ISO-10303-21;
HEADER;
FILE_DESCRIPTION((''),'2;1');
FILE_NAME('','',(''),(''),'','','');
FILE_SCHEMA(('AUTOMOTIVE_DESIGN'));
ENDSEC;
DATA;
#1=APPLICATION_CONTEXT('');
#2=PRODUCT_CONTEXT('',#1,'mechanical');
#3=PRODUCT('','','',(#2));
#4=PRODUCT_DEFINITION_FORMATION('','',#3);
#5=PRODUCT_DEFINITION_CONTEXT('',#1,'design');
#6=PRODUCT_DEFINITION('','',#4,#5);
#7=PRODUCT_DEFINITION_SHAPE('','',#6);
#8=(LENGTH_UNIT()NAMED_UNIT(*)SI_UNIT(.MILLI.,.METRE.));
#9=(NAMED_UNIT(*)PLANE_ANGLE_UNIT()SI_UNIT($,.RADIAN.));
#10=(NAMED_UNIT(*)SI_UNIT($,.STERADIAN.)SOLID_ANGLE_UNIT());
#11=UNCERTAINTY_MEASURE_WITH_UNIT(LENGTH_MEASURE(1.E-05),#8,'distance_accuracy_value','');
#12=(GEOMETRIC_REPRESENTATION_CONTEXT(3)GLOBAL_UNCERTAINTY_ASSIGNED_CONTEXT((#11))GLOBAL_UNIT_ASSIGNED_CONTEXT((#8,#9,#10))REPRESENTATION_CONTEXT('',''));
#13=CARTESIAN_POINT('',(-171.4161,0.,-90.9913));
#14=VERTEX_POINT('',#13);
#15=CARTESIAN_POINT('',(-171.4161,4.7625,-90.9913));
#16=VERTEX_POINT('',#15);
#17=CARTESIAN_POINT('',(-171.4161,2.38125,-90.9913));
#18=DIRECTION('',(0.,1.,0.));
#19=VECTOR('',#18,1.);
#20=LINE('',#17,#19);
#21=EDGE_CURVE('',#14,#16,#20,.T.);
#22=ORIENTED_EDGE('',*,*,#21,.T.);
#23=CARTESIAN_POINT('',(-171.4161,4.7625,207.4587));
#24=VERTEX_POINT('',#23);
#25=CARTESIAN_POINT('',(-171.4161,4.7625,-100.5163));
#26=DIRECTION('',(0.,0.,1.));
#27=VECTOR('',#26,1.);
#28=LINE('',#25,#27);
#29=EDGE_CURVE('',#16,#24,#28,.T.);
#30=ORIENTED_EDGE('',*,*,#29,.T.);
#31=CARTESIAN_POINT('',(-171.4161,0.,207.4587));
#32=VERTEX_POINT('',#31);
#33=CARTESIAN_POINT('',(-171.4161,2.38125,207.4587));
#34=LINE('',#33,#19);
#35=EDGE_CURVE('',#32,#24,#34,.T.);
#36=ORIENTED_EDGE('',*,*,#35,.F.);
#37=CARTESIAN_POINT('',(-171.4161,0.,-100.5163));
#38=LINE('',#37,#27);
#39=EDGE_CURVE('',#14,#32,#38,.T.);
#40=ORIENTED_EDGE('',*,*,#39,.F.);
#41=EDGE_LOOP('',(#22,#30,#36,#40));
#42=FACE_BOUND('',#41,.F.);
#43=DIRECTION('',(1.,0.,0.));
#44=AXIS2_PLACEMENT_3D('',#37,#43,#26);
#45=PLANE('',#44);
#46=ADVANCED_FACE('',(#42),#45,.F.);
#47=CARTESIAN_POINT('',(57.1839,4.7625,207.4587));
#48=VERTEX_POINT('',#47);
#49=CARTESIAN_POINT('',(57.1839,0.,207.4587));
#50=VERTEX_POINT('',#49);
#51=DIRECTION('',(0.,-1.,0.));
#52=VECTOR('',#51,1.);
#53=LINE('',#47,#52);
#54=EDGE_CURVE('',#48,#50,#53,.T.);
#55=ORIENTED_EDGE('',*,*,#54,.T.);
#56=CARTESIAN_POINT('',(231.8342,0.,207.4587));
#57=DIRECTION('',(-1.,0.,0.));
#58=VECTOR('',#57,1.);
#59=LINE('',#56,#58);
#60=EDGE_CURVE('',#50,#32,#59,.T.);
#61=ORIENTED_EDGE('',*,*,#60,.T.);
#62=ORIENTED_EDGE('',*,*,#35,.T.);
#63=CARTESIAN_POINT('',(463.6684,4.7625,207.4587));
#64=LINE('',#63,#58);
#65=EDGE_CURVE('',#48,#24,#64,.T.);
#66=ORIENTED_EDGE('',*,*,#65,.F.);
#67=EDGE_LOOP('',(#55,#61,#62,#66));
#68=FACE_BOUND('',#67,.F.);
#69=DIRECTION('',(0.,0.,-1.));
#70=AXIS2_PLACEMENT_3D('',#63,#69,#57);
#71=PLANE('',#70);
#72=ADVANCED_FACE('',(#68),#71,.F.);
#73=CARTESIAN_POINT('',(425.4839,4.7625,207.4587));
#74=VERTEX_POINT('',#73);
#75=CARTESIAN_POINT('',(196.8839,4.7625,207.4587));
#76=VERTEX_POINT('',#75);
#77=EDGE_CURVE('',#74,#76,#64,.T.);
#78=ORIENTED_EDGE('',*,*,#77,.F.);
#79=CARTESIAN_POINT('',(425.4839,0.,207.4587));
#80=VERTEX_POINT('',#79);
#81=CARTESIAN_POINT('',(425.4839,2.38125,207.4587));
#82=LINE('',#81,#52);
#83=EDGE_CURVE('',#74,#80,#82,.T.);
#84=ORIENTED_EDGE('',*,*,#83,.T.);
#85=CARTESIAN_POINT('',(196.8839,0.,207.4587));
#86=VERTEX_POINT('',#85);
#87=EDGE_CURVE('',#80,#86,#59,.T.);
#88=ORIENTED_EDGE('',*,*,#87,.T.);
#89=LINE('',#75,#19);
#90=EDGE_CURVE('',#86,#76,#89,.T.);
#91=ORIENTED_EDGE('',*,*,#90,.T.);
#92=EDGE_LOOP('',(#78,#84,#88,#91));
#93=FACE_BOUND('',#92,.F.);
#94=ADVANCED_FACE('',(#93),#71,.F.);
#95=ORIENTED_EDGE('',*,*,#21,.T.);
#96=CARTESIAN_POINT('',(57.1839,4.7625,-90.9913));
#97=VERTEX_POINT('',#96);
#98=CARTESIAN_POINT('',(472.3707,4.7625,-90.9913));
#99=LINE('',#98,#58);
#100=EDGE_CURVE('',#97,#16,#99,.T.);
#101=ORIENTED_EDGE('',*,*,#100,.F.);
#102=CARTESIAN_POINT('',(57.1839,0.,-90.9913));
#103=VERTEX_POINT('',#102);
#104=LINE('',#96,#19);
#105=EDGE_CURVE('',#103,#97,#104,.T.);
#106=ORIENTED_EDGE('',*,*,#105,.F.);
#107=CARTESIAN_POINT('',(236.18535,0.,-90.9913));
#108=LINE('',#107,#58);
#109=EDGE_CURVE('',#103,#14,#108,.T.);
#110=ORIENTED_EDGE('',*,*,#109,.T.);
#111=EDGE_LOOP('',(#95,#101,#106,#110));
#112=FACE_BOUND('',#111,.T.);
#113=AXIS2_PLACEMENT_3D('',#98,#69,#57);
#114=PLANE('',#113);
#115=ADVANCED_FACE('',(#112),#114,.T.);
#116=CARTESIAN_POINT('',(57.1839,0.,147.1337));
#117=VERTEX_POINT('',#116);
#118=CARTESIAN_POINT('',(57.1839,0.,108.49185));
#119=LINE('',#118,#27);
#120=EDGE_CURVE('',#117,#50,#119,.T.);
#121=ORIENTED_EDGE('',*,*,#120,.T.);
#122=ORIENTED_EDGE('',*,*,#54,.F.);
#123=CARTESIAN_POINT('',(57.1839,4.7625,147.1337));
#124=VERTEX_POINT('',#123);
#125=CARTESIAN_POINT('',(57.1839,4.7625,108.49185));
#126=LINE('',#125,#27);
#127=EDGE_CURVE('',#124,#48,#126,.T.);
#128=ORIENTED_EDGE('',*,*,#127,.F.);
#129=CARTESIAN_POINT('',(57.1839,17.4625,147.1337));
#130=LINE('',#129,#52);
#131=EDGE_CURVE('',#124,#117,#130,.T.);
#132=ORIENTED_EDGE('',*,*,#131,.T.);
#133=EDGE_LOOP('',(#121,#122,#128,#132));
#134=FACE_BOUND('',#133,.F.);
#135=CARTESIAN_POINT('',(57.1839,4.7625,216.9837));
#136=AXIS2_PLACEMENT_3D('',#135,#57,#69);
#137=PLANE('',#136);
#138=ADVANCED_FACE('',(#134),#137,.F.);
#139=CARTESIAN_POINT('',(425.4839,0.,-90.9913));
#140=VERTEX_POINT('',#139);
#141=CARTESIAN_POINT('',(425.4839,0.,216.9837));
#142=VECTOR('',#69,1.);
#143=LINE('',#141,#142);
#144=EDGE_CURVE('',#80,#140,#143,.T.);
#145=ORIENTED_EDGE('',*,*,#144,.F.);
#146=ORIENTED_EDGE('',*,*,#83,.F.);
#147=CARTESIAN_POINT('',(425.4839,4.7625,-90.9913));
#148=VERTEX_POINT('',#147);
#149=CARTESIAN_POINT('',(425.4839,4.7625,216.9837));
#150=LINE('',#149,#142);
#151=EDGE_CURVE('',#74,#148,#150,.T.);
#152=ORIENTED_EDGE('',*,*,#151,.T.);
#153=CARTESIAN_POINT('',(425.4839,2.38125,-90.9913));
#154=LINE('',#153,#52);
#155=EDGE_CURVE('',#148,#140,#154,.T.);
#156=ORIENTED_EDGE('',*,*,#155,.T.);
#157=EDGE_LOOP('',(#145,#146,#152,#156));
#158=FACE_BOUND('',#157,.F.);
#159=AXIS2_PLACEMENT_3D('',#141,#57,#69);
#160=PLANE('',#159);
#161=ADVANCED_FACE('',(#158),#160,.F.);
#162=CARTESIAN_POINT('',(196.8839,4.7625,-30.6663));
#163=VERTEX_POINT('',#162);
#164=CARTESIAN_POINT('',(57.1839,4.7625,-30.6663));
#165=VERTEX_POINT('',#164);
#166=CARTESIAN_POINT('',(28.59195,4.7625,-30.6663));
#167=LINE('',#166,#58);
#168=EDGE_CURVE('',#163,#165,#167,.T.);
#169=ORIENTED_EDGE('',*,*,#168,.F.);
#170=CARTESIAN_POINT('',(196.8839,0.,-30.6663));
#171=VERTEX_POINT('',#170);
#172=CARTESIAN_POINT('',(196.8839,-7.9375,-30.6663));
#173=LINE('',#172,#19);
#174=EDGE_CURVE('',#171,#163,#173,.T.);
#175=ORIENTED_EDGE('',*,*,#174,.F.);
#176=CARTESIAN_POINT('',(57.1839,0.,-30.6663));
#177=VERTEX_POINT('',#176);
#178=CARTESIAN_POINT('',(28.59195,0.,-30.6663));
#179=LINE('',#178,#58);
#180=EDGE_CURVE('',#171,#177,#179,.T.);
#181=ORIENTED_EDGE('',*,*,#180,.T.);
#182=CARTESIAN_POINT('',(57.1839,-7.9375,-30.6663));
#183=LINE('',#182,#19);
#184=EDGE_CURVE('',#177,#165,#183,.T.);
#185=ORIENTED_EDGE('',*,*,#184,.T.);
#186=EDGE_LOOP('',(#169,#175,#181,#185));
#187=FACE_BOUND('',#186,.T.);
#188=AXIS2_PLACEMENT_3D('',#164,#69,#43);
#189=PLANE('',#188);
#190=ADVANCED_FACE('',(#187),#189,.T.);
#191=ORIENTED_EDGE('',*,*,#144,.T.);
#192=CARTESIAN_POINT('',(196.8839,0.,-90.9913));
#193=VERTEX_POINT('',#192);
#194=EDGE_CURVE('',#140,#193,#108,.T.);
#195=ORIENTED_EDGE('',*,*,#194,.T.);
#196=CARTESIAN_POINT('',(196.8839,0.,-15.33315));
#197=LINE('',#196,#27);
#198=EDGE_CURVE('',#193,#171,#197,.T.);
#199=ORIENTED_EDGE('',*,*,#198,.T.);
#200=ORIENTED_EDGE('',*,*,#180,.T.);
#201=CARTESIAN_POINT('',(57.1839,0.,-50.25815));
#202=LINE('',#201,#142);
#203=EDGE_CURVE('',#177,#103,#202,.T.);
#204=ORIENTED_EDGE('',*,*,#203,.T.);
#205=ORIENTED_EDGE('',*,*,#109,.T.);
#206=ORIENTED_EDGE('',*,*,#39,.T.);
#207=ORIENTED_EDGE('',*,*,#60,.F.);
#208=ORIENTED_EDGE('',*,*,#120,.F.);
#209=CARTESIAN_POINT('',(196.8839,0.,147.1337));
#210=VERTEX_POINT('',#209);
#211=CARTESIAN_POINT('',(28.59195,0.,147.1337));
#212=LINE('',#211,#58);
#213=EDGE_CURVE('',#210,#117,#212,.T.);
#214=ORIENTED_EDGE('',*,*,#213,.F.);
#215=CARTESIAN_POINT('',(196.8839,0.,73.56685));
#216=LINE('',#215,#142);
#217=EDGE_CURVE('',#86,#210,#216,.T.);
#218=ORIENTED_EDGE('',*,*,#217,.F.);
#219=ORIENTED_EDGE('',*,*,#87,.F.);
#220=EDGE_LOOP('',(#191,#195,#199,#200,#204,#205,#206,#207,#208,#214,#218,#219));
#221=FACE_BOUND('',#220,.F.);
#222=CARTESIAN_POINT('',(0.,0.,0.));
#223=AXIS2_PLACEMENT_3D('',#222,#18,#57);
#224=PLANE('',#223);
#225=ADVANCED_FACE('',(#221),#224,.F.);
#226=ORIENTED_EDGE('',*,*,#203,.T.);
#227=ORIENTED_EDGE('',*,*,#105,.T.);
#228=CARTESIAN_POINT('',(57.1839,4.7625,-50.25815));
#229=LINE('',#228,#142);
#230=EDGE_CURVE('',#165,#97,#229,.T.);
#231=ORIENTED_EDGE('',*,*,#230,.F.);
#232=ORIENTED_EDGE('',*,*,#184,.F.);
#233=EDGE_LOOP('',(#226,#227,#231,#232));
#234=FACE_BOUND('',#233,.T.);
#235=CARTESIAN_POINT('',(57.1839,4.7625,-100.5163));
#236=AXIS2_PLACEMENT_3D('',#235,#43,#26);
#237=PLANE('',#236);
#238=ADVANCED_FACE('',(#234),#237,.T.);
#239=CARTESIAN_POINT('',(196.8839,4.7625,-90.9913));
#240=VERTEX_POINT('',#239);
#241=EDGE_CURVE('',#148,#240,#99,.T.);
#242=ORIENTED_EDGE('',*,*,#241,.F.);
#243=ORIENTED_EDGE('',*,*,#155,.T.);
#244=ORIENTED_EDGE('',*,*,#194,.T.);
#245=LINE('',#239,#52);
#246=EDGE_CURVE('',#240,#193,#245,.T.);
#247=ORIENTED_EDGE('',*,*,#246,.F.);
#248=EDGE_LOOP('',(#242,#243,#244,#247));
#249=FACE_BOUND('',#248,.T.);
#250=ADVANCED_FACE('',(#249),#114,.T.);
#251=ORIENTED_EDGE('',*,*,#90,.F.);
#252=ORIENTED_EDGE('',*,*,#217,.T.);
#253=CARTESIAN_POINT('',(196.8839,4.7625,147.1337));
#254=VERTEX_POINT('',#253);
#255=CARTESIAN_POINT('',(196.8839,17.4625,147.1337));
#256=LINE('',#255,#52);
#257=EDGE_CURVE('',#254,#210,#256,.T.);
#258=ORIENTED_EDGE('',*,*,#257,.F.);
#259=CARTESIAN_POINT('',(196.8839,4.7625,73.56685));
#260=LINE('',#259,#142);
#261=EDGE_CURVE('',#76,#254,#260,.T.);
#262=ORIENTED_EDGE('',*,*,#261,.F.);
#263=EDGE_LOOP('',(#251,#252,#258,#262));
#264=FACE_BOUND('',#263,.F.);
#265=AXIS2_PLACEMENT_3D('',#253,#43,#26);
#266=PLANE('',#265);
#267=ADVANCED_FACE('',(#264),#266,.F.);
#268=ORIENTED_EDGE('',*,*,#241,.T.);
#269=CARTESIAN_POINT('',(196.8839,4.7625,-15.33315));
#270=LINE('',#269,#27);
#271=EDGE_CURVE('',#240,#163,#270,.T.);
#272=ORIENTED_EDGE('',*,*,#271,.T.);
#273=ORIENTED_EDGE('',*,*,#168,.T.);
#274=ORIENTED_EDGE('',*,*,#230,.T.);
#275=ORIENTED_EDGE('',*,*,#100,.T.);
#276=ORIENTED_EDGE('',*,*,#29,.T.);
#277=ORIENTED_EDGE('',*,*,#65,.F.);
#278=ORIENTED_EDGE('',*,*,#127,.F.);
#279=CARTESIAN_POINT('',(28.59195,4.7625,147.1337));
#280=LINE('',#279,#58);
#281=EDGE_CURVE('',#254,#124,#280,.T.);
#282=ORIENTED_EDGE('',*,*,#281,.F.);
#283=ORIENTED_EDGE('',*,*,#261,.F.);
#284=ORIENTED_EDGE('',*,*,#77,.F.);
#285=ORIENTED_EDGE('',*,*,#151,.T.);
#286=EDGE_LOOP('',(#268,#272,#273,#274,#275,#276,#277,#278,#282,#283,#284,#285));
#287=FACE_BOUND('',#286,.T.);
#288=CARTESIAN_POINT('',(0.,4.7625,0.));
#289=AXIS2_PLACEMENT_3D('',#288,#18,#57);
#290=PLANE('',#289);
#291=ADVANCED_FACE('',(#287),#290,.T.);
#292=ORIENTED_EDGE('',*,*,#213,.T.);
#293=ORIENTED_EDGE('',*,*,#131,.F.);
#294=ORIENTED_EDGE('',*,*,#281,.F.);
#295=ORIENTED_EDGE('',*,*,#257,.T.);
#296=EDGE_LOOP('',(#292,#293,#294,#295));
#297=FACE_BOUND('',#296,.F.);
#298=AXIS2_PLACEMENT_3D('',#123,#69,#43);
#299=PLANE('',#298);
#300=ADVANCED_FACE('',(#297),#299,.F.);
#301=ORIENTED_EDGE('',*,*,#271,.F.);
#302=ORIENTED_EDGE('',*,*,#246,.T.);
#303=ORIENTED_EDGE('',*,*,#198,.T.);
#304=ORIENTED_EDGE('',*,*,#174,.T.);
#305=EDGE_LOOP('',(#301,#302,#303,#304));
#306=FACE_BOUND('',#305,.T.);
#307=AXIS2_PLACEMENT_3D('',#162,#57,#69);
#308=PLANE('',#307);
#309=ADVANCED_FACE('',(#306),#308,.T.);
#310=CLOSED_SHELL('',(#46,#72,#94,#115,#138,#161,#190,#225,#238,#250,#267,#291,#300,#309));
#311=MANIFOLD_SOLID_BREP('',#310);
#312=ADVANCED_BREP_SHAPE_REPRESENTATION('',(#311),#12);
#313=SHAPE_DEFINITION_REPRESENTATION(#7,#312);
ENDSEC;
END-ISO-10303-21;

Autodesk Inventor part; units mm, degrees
ref_plane "YZ Plane" through (0, 0, 0) normal (1, 0, 0) x (0, 1, 0)
ref_plane "XZ Plane" through (0, 0, 0) normal (0, 1, 0) x (-1, 0, 0)
ref_plane "XY Plane" through (0, 0, 0) normal (0, 0, 1) x (1, 0, 0)
sketch "Sketch1" plane through (0, 0, 0) normal (0, 1, 0) x (-1, 0, 0)
  line L0 (171.4161, 216.9837) -> (-425.4839, 216.9837)
  line L1 (-425.4839, 216.9837) -> (-425.4839, -100.5163)
  line L2 (-425.4839, -100.5163) -> (171.4161, -100.5163)
  line L3 (171.4161, -100.5163) -> (171.4161, 216.9837)
  point P0 (0, 0)
  dimension "d0" = 317.5
  dimension "d1" = 596.9
extrude "Extrusion1" add sketch "Sketch1" along normal blind 4.7625
sketch "Sketch2" plane through (0, 4.7625, 0) normal (0, 1, 0) x (1, 0, 0)
  line L0 (57.1839, 30.6663) -> (196.8839, 30.6663)
  line L1 (196.8839, 30.6663) -> (196.8839, 100.5163)
  line L2 (196.8839, 100.5163) -> (57.1839, 100.5163)
  line L3 (57.1839, 100.5163) -> (57.1839, 30.6663)
  line L4 (57.1839, -147.1337) -> (196.8839, -147.1337)
  line L5 (196.8839, -147.1337) -> (196.8839, -216.9837)
  line L6 (196.8839, -216.9837) -> (57.1839, -216.9837)
  line L7 (57.1839, -216.9837) -> (57.1839, -147.1337)
  line L8 (425.4839, -216.9837) -> (425.4839, 100.5163) projected
  line L9 (-171.4161, 100.5163) -> (-171.4161, -216.9837) projected
  line L10 (-171.4161, -216.9837) -> (425.4839, -216.9837) projected
  line L11 (425.4839, 100.5163) -> (-171.4161, 100.5163) projected
  point P0 (0, 0)
  dimension "d4" = 0
  dimension "d5" = 228.6
  dimension "d6" = 0
  dimension "d7" = 228.6
  dimension "d8" = 0
  dimension "d9" = 0
  dimension "d10" = 69.85
  dimension "d11" = 69.85
extrude "Extrusion2" cut sketch "Sketch2" along normal mid plane 25.4 contours L3 L2 L1 L0 | L7 L4 L5 L6
sketch "Sketch3" plane through (0, 4.7625, 0) normal (0, 1, 0) x (1, 0, 0)
  line L0 (-203.1439, 127.0873) -> (472.3707, 127.0873)
  line L1 (472.3707, 127.0873) -> (472.3707, 90.9913)
  line L2 (472.3707, 90.9913) -> (-203.1439, 90.9913)
  line L3 (-203.1439, 90.9913) -> (-203.1439, 127.0873)
  line L4 (463.6684, -207.4587) -> (-190.0904, -207.4587)
  line L5 (-190.0904, -207.4587) -> (-190.0904, -244.0242)
  line L6 (-190.0904, -244.0242) -> (463.6684, -244.0242)
  line L7 (463.6684, -244.0242) -> (463.6684, -207.4587)
  line L8 (425.4839, 100.5163) -> (196.8839, 100.5163) projected
  line L9 (196.8839, -216.9837) -> (425.4839, -216.9837) projected
  point P0 (0, 0)
  dimension "d14" = 9.525
  dimension "d15" = 9.525
extrude "Extrusion3" cut sketch "Sketch3" against normal blind 25.4
properties part number "EBoard" material "Polycarbonate, Clear"
